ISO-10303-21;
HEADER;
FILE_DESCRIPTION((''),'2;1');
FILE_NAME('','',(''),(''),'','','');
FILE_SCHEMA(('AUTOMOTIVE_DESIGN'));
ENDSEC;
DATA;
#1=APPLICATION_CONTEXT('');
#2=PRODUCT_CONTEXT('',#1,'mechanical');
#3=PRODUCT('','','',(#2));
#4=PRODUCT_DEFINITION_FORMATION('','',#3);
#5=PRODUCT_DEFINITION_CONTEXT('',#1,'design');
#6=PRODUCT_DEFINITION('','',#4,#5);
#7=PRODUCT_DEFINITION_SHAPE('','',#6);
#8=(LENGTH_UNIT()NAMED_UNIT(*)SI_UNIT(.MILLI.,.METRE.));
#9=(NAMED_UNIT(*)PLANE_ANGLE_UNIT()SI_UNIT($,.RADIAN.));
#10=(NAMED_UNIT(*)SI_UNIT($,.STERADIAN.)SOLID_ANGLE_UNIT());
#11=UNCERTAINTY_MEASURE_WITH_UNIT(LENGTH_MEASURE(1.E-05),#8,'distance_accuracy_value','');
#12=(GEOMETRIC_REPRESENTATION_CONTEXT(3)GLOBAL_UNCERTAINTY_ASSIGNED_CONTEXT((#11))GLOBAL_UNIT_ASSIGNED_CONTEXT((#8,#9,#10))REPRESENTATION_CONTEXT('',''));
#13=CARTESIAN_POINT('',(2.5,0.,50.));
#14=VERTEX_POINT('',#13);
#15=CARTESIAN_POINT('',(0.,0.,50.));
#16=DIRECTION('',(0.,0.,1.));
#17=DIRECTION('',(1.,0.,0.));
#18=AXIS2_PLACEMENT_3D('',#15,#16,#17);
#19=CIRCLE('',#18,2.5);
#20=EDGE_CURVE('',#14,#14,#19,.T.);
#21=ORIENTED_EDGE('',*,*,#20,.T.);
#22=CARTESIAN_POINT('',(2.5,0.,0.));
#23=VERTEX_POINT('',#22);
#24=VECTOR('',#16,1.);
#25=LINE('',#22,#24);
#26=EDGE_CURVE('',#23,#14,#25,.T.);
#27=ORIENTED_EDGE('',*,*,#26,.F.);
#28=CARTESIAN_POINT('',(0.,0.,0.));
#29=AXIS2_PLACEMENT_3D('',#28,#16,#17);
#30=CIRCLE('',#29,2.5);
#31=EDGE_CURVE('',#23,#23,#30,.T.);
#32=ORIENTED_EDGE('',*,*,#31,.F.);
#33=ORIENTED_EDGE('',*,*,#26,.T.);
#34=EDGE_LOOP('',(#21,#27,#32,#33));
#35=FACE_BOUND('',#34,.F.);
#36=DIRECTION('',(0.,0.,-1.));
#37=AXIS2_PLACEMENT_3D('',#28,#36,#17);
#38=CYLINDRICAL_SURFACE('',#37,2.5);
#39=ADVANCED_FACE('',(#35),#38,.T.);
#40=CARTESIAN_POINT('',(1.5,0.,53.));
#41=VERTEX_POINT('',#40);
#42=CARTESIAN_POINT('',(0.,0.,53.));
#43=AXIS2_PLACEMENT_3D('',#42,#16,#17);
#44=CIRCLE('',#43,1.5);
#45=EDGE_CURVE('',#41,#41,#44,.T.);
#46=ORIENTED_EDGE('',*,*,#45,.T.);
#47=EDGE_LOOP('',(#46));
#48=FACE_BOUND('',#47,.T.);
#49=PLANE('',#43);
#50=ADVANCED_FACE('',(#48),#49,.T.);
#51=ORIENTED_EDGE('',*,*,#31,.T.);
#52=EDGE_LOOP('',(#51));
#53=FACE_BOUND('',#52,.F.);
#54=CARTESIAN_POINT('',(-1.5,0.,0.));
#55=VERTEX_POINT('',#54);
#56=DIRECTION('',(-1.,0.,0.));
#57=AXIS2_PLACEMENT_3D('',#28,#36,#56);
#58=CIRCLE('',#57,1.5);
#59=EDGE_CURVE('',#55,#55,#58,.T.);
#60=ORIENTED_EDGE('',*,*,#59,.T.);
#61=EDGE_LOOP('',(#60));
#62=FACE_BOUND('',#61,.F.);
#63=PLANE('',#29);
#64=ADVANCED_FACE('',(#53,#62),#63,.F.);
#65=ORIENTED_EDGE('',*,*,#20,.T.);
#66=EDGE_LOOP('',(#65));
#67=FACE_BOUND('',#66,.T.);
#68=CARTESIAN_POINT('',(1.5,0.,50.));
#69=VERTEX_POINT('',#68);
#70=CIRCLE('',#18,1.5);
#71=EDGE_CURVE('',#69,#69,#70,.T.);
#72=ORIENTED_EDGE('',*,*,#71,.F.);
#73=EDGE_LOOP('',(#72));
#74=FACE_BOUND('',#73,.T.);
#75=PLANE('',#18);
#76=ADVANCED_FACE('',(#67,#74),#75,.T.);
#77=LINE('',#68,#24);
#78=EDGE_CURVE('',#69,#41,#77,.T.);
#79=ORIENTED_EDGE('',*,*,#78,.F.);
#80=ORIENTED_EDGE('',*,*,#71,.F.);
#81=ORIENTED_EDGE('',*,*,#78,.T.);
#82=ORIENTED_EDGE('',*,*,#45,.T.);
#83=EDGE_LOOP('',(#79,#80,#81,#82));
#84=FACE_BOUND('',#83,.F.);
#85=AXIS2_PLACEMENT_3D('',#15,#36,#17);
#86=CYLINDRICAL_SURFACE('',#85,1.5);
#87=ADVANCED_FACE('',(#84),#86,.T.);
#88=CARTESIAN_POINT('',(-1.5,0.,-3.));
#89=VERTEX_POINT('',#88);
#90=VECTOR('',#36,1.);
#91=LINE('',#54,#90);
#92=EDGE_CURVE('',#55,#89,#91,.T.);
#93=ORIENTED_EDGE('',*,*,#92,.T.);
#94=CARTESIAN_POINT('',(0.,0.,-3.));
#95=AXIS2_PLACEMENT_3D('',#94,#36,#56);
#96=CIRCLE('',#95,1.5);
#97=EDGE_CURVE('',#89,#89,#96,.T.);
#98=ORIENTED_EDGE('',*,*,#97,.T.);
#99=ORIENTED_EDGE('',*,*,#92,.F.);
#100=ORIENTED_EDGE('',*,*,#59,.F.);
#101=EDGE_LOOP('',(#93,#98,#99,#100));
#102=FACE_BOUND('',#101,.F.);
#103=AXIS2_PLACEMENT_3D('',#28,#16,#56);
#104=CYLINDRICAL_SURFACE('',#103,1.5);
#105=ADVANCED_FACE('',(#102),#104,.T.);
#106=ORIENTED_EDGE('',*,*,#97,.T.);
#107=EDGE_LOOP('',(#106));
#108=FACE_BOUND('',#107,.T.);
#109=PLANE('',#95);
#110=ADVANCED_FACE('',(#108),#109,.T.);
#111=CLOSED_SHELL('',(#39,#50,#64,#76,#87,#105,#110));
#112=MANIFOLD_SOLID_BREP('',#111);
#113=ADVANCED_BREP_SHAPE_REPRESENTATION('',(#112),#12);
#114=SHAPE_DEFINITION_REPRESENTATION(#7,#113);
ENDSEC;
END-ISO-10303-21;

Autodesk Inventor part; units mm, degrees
ref_plane "YZ Plane" through (0, 0, 0) normal (1, 0, 0) x (0, 1, 0)
ref_plane "XZ Plane" through (0, 0, 0) normal (0, 1, 0) x (-1, 0, 0)
ref_plane "XY Plane" through (0, 0, 0) normal (0, 0, 1) x (1, 0, 0)
sketch "Sketch1" plane through (0, 0, 0) normal (0, 0, 1) x (1, 0, 0)
  circle A0 centre (0, 0) radius 2.5
  dimension "d0" = 5
extrude "Extrusion1" add sketch "Sketch1" along normal blind 50
sketch "Sketch2" plane through (0, 0, 50) normal (0, 0, 1) x (1, 0, 0)
  circle A0 centre (0, 0) radius 2.5 projected
  circle A1 centre (0, 0) radius 1.5
  dimension "d3" = 3
extrude "Extrusion2" add sketch "Sketch2" along normal blind 3 contours A1
thread "Thread1" size "M3x0.5" class "6g" standard "ANSI Metric M Profile" full length
sketch "Sketch3" plane through (0, 0, 0) normal (0, 0, -1) x (-1, 0, 0)
  circle A0 centre (0, 0) radius 2.5 projected
  circle A1 centre (0, 0) radius 1.5
  dimension "d8" = 3
extrude "Extrusion3" add sketch "Sketch3" along normal blind 3 contours A1
thread "Thread2" size "M3x0.5" class "6g" standard "ANSI Metric M Profile" full length
properties part number "spacer 4 cm"
